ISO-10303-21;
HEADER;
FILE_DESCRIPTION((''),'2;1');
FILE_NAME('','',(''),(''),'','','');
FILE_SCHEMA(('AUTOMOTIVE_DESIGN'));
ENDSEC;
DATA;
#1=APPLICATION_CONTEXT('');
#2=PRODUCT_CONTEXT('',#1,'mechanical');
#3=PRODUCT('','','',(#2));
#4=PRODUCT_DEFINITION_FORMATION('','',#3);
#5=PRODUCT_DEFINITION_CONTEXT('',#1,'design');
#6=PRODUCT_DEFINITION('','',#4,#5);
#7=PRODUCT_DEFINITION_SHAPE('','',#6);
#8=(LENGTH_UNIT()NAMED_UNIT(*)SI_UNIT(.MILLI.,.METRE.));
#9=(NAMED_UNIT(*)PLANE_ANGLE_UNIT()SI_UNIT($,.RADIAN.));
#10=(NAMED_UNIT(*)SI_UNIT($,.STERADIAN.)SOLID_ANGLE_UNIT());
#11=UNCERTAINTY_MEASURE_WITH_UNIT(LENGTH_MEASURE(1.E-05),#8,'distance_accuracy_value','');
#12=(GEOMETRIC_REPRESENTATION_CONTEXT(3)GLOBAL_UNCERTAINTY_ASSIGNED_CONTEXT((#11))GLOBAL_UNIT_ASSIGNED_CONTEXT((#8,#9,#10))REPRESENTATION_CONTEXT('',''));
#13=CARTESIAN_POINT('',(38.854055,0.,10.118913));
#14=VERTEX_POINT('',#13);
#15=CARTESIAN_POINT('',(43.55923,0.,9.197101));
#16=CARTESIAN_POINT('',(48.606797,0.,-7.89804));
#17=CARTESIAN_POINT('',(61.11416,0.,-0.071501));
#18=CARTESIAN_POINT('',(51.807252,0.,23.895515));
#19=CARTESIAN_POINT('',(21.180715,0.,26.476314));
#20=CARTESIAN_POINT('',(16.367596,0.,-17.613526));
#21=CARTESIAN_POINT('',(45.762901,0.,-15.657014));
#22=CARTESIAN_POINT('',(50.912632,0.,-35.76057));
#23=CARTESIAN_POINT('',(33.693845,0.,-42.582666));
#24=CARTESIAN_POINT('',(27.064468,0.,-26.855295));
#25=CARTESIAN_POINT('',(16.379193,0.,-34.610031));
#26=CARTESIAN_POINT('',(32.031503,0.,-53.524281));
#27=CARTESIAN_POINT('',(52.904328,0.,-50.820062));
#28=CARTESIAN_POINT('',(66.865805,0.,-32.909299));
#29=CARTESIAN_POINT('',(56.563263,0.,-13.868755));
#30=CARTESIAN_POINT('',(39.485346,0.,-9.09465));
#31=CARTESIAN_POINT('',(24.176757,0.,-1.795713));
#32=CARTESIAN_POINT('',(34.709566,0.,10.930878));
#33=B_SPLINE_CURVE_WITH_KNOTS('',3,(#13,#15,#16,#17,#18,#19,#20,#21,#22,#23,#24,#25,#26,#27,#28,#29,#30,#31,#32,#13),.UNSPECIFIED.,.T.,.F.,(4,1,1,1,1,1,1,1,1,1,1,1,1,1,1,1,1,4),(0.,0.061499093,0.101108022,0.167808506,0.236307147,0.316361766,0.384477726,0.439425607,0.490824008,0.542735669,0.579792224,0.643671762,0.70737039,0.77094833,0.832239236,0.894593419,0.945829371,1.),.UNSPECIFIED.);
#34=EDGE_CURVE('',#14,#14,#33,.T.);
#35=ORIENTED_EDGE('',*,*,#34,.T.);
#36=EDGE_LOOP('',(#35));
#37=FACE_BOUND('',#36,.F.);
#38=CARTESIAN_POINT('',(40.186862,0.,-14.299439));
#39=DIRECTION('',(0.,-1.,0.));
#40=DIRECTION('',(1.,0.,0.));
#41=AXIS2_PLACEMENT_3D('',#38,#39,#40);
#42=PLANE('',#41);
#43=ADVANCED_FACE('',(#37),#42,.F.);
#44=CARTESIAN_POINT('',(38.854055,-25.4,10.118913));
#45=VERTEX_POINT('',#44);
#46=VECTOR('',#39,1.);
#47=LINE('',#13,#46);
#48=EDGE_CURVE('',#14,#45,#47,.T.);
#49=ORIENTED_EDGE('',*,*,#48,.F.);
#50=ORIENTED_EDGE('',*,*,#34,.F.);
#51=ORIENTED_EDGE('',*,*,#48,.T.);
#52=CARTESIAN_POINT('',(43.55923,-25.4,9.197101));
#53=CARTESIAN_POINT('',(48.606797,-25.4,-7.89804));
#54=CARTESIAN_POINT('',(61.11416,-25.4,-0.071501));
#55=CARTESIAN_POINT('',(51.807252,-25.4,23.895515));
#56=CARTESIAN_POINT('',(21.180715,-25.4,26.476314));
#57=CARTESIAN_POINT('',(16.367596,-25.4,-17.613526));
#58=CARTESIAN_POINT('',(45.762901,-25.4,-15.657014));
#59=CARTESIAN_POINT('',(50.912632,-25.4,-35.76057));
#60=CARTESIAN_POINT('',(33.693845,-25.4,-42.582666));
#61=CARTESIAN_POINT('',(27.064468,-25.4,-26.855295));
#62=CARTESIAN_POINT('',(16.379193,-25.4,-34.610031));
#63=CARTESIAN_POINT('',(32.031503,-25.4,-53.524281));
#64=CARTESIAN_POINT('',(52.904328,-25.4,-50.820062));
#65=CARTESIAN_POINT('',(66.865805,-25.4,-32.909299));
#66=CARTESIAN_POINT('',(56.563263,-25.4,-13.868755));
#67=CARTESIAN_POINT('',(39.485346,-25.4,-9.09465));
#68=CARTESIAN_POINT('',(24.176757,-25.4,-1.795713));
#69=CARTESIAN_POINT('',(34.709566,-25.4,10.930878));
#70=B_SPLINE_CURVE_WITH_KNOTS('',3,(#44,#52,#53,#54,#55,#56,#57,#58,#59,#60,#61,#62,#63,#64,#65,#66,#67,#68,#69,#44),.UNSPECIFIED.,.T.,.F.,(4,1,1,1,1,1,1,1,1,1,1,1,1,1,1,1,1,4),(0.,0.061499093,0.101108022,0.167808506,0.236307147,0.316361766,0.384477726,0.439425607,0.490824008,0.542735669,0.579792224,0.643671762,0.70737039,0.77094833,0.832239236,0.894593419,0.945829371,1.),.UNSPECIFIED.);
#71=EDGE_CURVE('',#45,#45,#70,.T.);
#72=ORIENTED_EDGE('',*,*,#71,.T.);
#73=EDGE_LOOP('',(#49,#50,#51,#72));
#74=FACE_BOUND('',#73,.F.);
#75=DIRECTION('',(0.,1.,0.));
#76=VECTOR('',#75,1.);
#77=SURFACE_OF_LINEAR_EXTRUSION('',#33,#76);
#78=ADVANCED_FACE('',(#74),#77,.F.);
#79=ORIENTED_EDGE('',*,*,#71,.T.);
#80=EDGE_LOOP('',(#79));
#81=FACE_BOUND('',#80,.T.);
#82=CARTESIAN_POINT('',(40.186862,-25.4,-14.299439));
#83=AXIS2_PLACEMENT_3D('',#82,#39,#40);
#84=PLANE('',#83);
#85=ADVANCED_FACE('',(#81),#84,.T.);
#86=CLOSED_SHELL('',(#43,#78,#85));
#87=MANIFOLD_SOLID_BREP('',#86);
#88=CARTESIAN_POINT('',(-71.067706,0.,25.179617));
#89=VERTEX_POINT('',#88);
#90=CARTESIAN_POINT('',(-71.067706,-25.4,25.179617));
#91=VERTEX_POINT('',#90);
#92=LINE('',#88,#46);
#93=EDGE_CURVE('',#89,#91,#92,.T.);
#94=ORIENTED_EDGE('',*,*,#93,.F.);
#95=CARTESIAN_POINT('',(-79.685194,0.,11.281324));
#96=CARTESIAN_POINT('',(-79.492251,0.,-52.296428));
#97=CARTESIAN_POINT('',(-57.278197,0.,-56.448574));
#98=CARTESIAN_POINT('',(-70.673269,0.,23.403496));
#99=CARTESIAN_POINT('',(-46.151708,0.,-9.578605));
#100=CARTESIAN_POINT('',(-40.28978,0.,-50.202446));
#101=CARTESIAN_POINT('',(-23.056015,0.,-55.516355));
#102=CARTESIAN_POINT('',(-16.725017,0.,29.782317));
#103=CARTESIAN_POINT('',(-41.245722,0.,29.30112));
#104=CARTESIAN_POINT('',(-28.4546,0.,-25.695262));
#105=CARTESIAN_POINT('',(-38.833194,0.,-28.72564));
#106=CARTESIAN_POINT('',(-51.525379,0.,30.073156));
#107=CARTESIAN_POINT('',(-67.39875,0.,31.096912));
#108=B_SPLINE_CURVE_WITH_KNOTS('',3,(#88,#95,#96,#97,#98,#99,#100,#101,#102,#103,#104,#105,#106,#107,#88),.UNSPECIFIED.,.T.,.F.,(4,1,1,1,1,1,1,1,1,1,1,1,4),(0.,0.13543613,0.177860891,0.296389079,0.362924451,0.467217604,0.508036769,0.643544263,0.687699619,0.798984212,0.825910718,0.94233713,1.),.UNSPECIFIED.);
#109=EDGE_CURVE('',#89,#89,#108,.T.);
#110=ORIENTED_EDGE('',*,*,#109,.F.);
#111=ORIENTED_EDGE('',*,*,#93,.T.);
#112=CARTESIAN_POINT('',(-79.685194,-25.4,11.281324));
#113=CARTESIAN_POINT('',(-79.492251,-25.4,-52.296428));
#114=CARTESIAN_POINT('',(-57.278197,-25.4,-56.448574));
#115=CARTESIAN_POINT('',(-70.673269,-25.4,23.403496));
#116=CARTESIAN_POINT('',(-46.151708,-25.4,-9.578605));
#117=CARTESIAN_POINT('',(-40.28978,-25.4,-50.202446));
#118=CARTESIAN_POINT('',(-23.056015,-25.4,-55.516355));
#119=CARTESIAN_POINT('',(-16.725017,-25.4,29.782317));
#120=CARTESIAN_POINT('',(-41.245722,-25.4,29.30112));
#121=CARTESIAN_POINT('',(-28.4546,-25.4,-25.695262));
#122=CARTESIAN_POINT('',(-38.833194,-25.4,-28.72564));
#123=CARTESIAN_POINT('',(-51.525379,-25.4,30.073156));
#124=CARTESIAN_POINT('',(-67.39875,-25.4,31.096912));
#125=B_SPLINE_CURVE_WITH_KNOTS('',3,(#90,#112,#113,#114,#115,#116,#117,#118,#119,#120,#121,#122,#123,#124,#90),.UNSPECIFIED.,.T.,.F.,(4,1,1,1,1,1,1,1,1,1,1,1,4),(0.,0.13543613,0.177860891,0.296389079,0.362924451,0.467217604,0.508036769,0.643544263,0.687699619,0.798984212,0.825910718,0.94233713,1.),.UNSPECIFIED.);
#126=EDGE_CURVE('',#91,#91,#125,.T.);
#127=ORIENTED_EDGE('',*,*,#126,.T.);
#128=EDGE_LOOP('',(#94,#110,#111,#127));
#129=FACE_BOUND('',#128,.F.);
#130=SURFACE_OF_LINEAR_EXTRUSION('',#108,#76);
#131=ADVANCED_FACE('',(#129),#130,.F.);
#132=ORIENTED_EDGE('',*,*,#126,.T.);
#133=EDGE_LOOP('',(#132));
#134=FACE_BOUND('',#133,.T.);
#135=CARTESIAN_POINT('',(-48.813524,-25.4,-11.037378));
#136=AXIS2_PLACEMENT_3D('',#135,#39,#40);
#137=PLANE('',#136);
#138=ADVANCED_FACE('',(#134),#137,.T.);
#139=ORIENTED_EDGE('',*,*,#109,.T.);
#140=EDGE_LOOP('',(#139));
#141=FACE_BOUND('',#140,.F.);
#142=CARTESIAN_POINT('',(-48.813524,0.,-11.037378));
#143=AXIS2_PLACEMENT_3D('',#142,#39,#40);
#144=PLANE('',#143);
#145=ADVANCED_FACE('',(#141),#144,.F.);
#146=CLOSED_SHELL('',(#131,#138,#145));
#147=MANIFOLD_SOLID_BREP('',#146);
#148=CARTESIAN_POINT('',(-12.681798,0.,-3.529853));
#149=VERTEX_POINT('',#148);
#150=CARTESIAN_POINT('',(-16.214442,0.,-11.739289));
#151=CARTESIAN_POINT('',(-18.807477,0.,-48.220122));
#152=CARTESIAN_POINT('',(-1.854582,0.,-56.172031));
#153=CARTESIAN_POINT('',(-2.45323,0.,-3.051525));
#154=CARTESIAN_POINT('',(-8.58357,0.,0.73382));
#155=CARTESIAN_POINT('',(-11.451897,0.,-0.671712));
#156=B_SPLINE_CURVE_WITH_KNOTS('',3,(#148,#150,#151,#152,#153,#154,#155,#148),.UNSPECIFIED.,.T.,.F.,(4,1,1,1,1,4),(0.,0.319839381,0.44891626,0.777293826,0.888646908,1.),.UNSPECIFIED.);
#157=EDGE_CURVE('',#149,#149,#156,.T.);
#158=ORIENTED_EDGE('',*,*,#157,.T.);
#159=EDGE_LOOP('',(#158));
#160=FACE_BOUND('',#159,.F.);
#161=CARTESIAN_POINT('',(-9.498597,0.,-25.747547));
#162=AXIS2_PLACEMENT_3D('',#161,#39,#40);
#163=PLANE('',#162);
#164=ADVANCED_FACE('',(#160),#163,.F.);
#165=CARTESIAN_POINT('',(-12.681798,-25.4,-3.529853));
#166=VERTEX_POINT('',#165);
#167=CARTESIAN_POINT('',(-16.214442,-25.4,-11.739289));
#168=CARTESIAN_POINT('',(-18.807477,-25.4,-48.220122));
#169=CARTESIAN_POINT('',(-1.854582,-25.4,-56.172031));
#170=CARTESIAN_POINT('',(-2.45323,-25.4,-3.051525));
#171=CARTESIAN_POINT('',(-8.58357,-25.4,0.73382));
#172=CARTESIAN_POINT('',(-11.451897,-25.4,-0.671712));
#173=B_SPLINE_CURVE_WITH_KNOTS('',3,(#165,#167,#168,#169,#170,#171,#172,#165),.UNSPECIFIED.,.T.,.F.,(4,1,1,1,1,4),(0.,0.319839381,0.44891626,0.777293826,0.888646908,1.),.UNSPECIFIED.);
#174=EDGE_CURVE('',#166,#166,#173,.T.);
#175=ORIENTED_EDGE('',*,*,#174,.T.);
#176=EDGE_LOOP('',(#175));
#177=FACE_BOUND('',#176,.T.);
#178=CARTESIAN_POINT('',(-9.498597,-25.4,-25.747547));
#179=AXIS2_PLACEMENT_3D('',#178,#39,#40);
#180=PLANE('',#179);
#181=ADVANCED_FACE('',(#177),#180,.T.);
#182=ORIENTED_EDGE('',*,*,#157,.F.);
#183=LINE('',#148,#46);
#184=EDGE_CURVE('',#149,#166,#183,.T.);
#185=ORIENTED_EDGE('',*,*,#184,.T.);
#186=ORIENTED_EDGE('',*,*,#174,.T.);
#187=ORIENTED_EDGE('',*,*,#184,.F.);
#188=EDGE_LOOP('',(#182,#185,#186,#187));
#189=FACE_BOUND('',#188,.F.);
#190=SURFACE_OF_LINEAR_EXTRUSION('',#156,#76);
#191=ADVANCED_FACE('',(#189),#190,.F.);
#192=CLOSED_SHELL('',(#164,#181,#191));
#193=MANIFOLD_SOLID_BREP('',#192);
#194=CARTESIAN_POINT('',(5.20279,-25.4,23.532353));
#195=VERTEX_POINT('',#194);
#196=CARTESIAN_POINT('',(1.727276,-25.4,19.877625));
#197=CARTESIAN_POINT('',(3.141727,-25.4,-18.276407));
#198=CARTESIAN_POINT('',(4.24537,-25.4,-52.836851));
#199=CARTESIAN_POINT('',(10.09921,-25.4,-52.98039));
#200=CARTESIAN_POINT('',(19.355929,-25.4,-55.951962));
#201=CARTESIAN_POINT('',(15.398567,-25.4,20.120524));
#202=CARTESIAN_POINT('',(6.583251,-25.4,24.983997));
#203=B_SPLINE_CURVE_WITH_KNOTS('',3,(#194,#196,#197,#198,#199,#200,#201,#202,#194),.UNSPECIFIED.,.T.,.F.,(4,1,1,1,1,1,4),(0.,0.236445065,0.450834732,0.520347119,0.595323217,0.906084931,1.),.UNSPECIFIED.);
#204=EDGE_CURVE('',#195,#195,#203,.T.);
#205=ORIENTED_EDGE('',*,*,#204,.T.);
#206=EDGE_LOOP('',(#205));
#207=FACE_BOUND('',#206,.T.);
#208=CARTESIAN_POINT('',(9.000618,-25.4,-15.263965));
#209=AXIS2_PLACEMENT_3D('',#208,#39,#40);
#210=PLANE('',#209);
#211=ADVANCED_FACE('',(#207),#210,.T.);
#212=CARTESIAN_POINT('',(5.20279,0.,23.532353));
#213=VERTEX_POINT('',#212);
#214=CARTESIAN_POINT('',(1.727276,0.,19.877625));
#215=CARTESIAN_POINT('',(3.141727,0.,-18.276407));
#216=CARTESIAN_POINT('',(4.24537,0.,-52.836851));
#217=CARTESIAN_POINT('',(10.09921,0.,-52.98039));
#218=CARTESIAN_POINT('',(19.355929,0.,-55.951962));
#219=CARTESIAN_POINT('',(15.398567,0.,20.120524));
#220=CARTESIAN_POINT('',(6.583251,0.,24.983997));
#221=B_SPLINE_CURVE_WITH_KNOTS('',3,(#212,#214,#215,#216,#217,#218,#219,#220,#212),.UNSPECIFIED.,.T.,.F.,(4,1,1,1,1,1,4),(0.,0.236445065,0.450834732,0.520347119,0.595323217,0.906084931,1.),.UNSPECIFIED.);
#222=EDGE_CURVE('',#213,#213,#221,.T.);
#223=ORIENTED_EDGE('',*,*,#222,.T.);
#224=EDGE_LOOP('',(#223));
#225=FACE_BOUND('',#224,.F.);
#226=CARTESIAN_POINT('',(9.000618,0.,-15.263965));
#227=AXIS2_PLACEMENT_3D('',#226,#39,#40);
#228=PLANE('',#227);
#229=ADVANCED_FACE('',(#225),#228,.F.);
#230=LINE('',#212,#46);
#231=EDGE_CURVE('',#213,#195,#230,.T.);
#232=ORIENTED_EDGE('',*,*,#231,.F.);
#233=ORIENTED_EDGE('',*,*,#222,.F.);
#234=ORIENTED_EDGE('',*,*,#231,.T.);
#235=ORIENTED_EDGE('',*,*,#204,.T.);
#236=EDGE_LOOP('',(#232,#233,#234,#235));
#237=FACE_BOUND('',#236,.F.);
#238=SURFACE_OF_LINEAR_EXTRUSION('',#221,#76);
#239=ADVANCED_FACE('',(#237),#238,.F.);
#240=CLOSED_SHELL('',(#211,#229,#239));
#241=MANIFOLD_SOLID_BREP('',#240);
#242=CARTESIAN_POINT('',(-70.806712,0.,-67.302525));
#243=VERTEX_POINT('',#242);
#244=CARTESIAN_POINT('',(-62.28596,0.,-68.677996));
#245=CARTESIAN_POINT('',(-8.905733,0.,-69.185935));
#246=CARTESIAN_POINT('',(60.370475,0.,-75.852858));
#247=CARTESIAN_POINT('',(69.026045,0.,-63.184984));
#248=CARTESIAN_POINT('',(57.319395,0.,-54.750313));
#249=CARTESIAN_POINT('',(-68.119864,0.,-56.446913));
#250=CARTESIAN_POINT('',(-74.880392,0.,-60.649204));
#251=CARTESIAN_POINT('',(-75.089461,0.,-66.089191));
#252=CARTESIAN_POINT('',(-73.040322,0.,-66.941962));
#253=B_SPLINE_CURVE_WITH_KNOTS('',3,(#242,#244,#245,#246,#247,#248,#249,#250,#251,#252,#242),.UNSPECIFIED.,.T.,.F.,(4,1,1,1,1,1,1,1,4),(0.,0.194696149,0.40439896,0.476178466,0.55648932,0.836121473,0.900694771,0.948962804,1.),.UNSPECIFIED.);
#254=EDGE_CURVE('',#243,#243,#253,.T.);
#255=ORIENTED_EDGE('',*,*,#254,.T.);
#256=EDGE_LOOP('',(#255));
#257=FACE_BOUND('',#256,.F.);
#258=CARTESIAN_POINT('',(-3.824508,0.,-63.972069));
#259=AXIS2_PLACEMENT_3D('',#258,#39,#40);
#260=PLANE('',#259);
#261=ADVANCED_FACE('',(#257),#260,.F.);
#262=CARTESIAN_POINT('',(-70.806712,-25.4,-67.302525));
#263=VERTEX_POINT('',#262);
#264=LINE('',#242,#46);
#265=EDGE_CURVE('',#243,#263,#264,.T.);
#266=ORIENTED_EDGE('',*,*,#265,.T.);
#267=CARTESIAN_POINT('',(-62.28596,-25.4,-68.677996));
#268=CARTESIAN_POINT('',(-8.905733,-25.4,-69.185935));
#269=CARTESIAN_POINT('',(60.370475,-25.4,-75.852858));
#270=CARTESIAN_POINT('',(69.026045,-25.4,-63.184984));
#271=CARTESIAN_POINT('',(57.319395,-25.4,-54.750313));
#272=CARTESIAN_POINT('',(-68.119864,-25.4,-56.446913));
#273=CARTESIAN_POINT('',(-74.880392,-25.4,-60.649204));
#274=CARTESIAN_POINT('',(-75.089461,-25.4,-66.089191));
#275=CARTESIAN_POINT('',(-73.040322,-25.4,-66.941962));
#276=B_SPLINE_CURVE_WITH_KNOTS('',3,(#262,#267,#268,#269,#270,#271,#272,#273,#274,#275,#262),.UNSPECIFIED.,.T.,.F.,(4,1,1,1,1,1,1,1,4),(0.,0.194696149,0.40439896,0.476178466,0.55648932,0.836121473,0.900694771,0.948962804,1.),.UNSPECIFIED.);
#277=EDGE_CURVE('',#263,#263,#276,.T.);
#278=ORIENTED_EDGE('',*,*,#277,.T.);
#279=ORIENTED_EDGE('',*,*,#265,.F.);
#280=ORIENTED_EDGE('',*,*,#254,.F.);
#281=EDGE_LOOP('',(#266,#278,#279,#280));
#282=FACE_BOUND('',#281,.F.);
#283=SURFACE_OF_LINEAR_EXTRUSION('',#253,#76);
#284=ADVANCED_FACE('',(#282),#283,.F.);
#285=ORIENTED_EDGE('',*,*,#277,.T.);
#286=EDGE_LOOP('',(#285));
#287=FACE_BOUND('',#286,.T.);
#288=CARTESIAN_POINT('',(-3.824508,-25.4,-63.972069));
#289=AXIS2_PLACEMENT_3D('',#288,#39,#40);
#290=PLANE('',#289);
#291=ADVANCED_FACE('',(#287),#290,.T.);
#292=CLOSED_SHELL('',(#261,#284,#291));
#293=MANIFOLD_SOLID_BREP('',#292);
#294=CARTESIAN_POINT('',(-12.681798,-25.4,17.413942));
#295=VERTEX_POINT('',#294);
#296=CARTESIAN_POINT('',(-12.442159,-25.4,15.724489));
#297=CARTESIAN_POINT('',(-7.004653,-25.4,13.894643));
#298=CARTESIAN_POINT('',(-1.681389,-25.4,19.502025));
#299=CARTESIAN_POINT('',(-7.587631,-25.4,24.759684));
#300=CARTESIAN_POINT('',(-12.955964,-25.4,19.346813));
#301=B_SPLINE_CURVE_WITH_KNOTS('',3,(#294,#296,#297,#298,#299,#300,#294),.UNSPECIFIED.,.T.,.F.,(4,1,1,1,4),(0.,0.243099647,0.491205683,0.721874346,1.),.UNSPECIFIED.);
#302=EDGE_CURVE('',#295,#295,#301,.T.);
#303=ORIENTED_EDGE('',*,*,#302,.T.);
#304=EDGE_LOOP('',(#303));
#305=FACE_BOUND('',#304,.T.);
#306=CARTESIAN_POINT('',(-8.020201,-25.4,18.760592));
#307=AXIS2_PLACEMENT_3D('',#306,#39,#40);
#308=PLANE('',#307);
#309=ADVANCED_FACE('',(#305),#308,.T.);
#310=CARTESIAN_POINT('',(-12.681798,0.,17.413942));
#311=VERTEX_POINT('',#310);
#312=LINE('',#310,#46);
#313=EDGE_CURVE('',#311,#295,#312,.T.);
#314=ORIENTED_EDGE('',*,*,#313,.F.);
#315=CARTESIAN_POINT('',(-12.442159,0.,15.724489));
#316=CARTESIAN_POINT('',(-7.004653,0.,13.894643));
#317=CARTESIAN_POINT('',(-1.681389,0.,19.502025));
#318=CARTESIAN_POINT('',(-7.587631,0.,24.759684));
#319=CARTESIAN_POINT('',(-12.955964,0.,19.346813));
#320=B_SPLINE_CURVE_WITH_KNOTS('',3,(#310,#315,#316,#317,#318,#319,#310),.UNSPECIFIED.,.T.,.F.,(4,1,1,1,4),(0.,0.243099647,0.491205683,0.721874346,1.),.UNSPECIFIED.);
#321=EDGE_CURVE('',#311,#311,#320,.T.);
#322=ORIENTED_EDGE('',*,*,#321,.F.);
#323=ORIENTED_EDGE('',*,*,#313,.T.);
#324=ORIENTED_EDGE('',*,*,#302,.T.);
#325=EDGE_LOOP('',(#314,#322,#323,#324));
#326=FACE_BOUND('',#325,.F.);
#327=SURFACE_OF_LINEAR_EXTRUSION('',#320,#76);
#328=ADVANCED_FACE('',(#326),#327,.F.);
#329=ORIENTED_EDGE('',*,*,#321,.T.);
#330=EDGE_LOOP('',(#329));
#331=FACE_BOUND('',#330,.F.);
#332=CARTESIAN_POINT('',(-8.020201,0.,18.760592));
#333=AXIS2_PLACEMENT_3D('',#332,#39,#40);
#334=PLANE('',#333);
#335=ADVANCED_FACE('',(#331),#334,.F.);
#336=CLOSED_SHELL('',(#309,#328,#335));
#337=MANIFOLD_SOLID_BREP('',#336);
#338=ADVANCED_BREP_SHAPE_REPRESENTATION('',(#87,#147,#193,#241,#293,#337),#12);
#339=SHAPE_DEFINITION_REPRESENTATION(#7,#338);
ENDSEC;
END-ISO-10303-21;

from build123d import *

# Parameters (mm, degrees)
F1_DEPTH = 25.4
F3_DEPTH = 25.4
F4_DEPTH = 25.4


with BuildPart() as f1:
    # F0 (on Front) → F1 (new body)
    with BuildSketch(Plane.XZ):
        with BuildLine():
            add(Edge.make_bspline(
                [(-71.0677057505, 25.1796171069), (-79.6851942921, 11.2813237151), (-79.4922507385, -52.296427635), (-57.2781972584, -56.4485741786), (-70.6732690222, 23.4034964111), (-46.1517082169, -9.5786047173), (-40.2897797019, -50.2024456687), (-23.0560153356, -55.5163551736), (-16.7250168472, 29.7823165088), (-41.2457216692, 29.3011201684), (-28.4545996072, -25.6952616584), (-38.8331935186, -28.725639826), (-51.5253792497, 30.0731555684), (-67.3987503711, 31.0969116943), (-71.0677057505, 25.1796171069)],
                knots=[0, 0, 0, 0, 0.1354361304, 0.1778608906, 0.2963890788, 0.3629244511, 0.4672176045, 0.5080367688, 0.643544263, 0.6876996188, 0.7989842123, 0.8259107175, 0.9423371303, 1, 1, 1, 1], degree=3))
        make_face()
    extrude(amount=F1_DEPTH)


with BuildPart() as f3:
    # F2 (on Front) → F3 (new body)
    with BuildSketch(Plane.XZ):
        with BuildLine():
            add(Edge.make_bspline(
                [(-12.6817980781, -3.5298531875), (-16.2144420782, -11.7392894924), (-18.8074765917, -48.2201222145), (-1.8545819426, -56.1720309106), (-2.4532303446, -3.0515249516), (-8.583570106, 0.7338203049), (-11.451896898, -0.6717119768), (-12.6817980781, -3.5298531875)],
                knots=[0, 0, 0, 0, 0.3198393811, 0.4489162605, 0.7772938261, 0.888646908, 1, 1, 1, 1], degree=3))
        make_face()
    extrude(amount=F3_DEPTH)


with BuildPart() as f3b:
    # F2 (on Front) → F3, piece 2 (new body)
    with BuildSketch(Plane.XZ):
        with BuildLine():
            add(Edge.make_bspline(
                [(-12.6817980781, 17.4139421433), (-12.4421590686, 15.7244893492), (-7.0046533258, 13.8946430557), (-1.6813885059, 19.5020253343), (-7.5876311364, 24.7596843485), (-12.9559644829, 19.3468127536), (-12.6817980781, 17.4139421433)],
                knots=[0, 0, 0, 0, 0.2430996472, 0.4912056832, 0.7218743458, 1, 1, 1, 1], degree=3))
        make_face()
    extrude(amount=F3_DEPTH)


with BuildPart() as f3c:
    # F2 (on Front) → F3, piece 3 (new body)
    with BuildSketch(Plane.XZ):
        with BuildLine():
            add(Edge.make_bspline(
                [(5.2027897909, 23.5323533416), (1.7272757997, 19.8776248885), (3.1417265268, -18.2764069082), (4.2453699472, -52.8368511816), (10.0992098161, -52.980390301), (19.3559292258, -55.9519616444), (15.3985669534, 20.1205238706), (6.5832505534, 24.9839973975), (5.2027897909, 23.5323533416)],
                knots=[0, 0, 0, 0, 0.236445065, 0.4508347323, 0.5203471191, 0.5953232173, 0.9060849314, 1, 1, 1, 1], degree=3))
        make_face()
    extrude(amount=F3_DEPTH)


with BuildPart() as f3d:
    # F2 (on Front) → F3, piece 4 (new body)
    with BuildSketch(Plane.XZ):
        with BuildLine():
            add(Edge.make_bspline(
                [(38.8540551066, 10.1189129055), (43.5592302987, 9.1971010757), (48.6067971759, -7.898040063), (61.1141601762, -0.0715011312), (51.8072517493, 23.8955153776), (21.1807154743, 26.476313557), (16.3675960592, -17.6135264212), (45.7629013205, -15.6570142799), (50.9126318819, -35.7605702425), (33.6938448627, -42.5826660672), (27.0644680723, -26.8552947367), (16.3791933909, -34.6100312917), (32.0315029418, -53.5242807461), (52.9043282089, -50.8200617534), (66.8658045102, -32.9092990867), (56.5632625753, -13.8687545744), (39.4853456917, -9.0946500825), (24.1767571333, -1.7957129842), (34.7095663132, 10.9308781654), (38.8540551066, 10.1189129055)],
                knots=[0, 0, 0, 0, 0.0614990929, 0.1011080215, 0.1678085058, 0.2363071466, 0.316361766, 0.3844777261, 0.4394256075, 0.490824008, 0.5427356692, 0.5797922235, 0.6436717623, 0.7073703905, 0.7709483298, 0.8322392355, 0.8945934186, 0.9458293706, 1, 1, 1, 1], degree=3))
        make_face()
    extrude(amount=F3_DEPTH)


with BuildPart() as f4:
    # F0 (on Front) → F4 (new body)
    with BuildSketch(Plane.XZ):
        with BuildLine():
            add(Edge.make_bspline(
                [(-70.8067119122, -67.3025250435), (-62.2859599314, -68.6779957301), (-8.9057331662, -69.1859353062), (60.3704754675, -75.8528582705), (69.026044893, -63.1849836839), (57.319394552, -54.7503131309), (-68.1198635262, -56.4469132454), (-74.8803923203, -60.649203583), (-75.0894610633, -66.0891911199), (-73.0403220293, -66.9419623551), (-70.8067119122, -67.3025250435)],
                knots=[0, 0, 0, 0, 0.1946961489, 0.4043989598, 0.476178466, 0.5564893198, 0.8361214732, 0.9006947709, 0.9489628041, 1, 1, 1, 1], degree=3))
        make_face()
    extrude(amount=F4_DEPTH)


solid = Compound([f1.part, f3.part, f3b.part, f3c.part, f3d.part, f4.part])
